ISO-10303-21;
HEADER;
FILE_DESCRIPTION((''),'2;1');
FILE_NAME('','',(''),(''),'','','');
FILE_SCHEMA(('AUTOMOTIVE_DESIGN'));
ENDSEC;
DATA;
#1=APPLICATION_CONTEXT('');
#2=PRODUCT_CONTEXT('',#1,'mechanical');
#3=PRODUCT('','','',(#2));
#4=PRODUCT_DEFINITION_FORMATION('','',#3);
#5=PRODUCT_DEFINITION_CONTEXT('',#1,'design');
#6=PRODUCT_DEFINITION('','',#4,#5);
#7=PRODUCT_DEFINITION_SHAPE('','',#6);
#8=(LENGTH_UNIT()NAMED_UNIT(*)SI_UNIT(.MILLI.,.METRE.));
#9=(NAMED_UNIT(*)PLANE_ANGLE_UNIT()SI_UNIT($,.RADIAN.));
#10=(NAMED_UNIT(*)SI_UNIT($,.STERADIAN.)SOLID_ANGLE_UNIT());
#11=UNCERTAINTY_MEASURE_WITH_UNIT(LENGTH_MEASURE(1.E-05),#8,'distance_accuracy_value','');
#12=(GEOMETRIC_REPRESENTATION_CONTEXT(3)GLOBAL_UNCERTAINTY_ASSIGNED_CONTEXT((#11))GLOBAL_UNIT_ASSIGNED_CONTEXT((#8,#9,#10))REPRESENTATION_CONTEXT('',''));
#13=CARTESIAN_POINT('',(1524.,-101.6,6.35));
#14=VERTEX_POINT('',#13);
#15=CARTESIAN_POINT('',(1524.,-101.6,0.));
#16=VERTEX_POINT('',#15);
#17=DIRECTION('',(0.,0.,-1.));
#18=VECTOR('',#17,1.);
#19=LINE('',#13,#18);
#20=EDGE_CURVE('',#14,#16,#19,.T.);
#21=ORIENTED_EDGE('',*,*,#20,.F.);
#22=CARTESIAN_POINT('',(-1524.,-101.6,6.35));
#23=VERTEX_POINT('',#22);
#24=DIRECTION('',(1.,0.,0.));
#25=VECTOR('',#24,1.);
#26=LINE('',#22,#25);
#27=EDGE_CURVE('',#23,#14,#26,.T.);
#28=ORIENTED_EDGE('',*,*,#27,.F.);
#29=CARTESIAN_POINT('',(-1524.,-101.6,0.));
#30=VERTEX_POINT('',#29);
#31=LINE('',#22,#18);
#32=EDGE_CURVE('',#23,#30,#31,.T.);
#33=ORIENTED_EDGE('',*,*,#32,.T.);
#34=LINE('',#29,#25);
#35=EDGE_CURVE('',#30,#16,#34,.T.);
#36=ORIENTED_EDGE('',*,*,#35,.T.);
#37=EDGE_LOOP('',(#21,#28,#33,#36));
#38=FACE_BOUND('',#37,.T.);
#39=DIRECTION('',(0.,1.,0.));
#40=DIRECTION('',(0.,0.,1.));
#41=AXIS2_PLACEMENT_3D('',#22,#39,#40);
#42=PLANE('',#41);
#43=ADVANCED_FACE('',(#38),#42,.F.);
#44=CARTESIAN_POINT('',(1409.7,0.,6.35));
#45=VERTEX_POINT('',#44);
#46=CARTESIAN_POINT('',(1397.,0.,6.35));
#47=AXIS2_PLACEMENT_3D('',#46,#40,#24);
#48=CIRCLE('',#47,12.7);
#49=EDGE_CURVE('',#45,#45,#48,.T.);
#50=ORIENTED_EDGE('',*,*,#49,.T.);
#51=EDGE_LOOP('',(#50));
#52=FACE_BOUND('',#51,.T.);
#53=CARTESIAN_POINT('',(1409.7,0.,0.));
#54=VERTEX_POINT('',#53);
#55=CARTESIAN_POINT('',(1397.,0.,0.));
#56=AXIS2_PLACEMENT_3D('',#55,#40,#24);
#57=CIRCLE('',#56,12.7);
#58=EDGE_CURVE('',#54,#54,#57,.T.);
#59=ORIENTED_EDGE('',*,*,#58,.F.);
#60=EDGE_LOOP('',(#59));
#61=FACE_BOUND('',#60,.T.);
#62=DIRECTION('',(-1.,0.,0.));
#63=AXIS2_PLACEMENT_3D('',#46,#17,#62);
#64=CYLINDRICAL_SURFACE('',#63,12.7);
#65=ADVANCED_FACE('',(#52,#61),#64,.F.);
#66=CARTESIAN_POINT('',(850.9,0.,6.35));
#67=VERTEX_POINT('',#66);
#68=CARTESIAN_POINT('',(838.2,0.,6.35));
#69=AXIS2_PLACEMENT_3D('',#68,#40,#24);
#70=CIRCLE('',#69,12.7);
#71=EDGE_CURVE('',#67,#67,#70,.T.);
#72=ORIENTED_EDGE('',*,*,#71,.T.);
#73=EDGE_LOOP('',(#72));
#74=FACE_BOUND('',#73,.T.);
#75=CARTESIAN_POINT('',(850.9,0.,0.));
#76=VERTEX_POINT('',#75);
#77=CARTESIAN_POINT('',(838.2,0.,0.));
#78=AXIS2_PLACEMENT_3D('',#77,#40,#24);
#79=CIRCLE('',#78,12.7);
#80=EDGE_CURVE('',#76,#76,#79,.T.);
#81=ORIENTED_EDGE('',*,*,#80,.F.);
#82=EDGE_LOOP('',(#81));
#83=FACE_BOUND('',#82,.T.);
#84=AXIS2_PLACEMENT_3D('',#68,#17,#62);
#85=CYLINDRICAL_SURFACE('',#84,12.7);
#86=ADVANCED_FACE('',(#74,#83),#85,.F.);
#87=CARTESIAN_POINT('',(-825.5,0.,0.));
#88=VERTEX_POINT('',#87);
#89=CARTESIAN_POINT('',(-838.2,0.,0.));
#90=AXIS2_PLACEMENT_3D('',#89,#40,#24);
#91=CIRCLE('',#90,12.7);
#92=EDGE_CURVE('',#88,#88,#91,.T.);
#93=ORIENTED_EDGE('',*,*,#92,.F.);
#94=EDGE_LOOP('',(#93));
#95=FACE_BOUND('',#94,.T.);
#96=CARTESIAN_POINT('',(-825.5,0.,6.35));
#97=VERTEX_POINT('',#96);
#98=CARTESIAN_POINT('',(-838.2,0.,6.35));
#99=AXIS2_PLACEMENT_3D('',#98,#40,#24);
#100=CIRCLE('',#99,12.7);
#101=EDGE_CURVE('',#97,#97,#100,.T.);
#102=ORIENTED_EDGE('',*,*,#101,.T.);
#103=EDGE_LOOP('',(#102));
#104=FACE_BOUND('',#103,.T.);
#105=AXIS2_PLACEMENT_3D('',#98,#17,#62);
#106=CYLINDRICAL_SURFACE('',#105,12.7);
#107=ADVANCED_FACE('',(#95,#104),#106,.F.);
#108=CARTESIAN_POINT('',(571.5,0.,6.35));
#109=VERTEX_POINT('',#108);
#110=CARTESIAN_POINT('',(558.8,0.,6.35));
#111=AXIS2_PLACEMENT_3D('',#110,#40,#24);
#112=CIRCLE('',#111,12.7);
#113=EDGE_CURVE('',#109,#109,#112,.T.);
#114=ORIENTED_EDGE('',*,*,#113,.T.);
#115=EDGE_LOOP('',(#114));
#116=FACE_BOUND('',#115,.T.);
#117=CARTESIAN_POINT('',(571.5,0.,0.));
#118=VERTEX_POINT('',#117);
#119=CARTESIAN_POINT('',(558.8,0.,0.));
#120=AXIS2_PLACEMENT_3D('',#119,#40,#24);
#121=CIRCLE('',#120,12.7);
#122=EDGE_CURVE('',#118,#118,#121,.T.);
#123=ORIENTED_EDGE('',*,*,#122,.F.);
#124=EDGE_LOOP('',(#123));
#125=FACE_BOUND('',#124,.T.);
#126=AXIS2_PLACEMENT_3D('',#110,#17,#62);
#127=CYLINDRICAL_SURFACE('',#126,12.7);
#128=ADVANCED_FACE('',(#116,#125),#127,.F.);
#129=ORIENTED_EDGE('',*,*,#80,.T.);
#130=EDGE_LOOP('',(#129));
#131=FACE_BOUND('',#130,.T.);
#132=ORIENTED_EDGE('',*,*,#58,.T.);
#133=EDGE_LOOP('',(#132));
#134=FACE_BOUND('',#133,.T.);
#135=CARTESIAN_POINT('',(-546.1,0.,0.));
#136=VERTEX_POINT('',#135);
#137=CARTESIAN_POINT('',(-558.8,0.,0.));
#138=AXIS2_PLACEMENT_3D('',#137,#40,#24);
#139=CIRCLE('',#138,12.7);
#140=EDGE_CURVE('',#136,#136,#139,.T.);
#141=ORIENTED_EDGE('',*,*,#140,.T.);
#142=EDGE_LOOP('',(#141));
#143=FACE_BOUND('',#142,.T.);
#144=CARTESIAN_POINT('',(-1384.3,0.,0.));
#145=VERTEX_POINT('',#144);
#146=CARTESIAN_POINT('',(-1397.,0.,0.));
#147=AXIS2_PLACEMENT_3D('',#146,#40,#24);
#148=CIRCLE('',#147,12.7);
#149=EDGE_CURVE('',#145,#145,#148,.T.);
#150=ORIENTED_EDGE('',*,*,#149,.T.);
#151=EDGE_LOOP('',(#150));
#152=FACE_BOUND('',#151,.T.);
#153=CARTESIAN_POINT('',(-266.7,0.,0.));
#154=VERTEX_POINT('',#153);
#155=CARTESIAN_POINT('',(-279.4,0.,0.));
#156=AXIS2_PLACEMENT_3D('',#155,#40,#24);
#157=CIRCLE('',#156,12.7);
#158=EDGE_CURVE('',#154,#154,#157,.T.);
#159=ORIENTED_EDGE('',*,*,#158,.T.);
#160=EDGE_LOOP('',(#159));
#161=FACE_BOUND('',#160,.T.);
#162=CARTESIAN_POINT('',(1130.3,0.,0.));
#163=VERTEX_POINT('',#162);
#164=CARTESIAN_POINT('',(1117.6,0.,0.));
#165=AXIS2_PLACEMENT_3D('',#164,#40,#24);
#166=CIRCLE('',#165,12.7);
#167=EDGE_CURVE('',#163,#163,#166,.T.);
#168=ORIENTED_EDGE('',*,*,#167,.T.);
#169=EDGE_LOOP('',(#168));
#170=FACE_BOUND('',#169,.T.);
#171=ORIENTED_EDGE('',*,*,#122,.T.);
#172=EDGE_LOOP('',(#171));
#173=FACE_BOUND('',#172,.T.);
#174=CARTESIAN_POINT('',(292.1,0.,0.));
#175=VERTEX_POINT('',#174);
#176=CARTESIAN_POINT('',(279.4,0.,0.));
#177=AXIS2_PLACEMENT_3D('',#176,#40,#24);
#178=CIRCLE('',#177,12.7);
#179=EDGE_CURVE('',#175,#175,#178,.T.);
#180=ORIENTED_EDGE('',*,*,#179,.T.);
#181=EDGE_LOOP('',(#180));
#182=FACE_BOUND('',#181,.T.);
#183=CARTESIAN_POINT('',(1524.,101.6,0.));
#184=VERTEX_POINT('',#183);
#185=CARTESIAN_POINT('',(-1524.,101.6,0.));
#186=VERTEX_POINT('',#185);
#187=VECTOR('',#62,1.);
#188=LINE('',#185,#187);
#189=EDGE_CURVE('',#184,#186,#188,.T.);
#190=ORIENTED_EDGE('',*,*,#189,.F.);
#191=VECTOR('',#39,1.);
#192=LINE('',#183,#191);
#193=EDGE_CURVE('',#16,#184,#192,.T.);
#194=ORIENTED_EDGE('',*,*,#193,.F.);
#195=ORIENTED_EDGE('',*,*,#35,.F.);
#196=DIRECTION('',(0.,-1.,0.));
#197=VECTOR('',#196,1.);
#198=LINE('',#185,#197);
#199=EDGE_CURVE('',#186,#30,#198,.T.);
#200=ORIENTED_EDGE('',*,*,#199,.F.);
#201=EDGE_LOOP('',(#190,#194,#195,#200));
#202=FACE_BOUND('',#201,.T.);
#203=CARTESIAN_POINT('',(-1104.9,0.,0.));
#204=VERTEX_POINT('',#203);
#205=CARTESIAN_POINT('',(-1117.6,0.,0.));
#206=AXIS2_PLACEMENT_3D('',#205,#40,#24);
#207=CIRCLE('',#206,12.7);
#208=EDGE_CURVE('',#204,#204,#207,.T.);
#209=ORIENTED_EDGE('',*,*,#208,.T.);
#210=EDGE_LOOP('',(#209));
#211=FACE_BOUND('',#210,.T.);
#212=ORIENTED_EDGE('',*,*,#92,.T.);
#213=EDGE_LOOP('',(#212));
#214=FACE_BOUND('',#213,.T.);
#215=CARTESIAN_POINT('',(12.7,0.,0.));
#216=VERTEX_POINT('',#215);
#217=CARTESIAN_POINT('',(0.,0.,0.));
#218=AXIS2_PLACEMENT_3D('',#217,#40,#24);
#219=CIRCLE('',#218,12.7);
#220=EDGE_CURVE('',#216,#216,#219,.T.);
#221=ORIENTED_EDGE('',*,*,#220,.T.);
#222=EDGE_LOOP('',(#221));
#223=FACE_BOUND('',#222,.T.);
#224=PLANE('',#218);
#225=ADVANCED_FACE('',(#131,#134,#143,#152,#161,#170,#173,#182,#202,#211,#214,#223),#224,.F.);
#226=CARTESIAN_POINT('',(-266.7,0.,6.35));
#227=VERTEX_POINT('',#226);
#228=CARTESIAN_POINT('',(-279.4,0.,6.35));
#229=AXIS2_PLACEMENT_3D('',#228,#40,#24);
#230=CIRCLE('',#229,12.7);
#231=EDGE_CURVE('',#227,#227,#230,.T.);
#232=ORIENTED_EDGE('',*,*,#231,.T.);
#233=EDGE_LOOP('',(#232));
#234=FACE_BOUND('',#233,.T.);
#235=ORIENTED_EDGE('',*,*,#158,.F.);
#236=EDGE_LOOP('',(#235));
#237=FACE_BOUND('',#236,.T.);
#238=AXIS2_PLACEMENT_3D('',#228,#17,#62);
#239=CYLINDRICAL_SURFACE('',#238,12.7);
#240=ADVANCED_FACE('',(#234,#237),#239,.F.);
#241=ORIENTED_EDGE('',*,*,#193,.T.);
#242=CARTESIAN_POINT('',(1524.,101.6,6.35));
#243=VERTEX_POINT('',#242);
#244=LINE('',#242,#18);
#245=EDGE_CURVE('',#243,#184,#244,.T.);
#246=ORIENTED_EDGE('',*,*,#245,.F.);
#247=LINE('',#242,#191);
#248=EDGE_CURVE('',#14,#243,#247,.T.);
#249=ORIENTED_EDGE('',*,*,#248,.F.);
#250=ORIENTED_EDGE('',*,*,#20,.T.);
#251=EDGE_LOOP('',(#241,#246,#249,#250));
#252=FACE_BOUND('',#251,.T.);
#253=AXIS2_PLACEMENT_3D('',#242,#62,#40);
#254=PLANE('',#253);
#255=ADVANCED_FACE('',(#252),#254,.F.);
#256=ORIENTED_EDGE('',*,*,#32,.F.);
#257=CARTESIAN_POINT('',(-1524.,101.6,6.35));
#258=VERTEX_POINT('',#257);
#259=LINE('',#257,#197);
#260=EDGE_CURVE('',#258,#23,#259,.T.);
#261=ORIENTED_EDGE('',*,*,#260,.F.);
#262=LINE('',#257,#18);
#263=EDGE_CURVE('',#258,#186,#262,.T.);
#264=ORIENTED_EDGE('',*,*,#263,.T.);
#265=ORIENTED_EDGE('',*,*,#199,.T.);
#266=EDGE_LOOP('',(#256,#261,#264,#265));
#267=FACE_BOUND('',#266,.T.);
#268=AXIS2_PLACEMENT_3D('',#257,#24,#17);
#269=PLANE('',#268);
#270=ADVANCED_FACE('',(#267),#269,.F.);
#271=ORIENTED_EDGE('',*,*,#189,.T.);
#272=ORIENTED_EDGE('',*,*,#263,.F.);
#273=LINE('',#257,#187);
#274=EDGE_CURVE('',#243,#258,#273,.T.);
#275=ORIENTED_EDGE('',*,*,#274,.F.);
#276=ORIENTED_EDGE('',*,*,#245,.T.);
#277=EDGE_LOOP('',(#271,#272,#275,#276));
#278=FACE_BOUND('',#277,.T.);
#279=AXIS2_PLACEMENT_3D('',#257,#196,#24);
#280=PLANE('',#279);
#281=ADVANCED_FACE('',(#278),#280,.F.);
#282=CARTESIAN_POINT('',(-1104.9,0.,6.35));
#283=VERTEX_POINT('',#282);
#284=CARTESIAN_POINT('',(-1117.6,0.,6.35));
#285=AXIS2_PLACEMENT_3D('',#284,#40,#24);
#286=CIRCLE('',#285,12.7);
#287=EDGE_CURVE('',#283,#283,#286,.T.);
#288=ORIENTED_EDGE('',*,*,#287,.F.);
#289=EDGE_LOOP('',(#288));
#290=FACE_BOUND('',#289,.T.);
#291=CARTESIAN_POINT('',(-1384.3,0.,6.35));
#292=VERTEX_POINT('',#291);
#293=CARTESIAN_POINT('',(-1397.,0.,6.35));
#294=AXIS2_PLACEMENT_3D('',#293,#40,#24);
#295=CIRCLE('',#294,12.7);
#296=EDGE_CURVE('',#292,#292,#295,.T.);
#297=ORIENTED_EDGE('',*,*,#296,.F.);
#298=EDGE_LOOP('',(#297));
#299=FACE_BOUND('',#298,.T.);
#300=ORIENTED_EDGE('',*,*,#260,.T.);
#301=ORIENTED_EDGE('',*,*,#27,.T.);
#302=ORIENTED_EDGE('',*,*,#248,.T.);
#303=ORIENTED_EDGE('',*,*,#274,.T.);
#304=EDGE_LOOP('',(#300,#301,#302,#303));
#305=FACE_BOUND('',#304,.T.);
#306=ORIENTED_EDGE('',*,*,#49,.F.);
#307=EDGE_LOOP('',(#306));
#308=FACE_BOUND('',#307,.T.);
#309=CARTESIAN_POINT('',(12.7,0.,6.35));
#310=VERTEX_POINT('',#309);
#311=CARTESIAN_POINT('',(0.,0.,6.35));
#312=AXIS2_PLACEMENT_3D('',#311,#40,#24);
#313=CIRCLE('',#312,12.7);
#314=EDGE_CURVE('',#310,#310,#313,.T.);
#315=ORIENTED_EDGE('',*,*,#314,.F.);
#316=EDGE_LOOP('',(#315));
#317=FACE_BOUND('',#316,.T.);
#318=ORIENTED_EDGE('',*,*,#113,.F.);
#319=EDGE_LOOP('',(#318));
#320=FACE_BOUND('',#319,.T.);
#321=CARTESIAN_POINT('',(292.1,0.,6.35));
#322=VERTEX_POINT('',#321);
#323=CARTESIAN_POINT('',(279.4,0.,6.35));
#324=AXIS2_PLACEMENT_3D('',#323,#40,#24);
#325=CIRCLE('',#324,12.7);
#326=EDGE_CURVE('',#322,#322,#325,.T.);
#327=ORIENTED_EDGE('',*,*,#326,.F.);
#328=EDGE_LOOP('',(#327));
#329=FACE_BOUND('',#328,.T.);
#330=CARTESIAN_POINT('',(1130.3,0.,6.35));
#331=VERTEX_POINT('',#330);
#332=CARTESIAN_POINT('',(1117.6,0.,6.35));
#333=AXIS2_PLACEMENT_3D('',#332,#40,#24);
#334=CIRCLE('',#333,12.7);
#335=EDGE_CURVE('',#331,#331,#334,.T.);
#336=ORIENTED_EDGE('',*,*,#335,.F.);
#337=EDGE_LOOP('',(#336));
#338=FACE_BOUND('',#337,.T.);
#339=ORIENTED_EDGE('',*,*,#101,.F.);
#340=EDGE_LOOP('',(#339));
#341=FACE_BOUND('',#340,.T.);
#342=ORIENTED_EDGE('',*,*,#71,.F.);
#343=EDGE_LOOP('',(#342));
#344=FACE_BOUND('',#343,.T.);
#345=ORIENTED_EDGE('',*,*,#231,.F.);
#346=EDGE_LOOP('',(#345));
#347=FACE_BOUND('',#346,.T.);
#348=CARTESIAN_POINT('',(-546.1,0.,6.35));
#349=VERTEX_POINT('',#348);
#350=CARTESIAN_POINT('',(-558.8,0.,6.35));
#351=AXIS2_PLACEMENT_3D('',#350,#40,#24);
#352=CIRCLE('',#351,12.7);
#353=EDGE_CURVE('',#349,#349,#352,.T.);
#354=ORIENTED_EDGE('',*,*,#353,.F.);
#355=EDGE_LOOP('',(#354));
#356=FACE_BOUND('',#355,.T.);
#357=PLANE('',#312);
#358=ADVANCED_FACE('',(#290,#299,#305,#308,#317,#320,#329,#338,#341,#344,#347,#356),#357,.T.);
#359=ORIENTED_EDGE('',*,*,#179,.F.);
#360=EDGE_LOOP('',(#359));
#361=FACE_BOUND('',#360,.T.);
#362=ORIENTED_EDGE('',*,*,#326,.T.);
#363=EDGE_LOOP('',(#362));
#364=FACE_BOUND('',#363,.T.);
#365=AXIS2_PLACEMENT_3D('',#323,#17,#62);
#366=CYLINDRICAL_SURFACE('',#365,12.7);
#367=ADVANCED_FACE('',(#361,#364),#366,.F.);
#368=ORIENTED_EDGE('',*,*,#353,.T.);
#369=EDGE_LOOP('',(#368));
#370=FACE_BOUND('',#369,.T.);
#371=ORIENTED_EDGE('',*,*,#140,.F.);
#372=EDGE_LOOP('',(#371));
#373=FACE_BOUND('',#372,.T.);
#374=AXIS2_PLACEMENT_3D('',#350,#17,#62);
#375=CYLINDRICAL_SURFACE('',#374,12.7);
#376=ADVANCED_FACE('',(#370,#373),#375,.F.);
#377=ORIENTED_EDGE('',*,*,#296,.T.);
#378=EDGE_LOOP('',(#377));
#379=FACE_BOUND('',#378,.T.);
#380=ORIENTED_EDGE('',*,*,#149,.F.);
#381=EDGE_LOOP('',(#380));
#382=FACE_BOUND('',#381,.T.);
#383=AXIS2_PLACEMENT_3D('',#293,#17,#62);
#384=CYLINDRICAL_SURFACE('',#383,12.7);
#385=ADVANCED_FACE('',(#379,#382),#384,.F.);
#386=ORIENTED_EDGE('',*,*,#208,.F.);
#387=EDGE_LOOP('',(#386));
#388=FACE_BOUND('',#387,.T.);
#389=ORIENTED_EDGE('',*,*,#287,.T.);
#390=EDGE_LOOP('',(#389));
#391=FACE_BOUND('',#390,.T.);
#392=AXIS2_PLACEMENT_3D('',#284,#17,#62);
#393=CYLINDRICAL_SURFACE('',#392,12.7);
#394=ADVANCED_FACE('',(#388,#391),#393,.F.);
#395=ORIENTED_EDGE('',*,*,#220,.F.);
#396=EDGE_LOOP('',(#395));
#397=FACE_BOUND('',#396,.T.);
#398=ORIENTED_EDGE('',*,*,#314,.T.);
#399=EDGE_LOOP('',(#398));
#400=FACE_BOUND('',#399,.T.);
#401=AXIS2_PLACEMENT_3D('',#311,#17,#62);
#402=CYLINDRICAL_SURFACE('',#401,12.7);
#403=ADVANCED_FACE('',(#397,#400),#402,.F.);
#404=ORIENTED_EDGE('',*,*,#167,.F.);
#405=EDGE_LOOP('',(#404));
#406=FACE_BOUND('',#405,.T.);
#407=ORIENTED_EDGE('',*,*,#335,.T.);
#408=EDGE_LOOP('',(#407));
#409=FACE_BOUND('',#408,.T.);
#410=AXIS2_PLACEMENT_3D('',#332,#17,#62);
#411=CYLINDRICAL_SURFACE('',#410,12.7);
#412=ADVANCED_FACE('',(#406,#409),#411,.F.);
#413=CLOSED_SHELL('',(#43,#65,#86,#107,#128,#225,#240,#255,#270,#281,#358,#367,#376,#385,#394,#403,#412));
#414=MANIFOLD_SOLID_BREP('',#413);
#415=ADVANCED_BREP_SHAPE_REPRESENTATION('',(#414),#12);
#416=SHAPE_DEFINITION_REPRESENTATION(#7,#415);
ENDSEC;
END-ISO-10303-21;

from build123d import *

# Parameters (mm, degrees)
SKETCH1_W           = 3048
SKETCH1_H           = 203.2
SKETCH1_R           = 12.7
BOSS_EXTRUDE1_DEPTH = 6.35


with BuildPart() as part:
    # Sketch1 → Boss-Extrude1 (new body)
    with BuildSketch(Plane.XY):
        Rectangle(SKETCH1_W, SKETCH1_H)
        with Locations((-1397, 0)):
            Circle(SKETCH1_R, mode=Mode.SUBTRACT)
        with Locations((-1117.6, 0)):
            Circle(SKETCH1_R, mode=Mode.SUBTRACT)
        with Locations((-838.2, 0)):
            Circle(SKETCH1_R, mode=Mode.SUBTRACT)
        with Locations((-558.8, 0)):
            Circle(SKETCH1_R, mode=Mode.SUBTRACT)
        with Locations((-279.4, 0)):
            Circle(SKETCH1_R, mode=Mode.SUBTRACT)
        Circle(SKETCH1_R, mode=Mode.SUBTRACT)
        with Locations((279.4, 0)):
            Circle(SKETCH1_R, mode=Mode.SUBTRACT)
        with Locations((558.8, 0)):
            Circle(SKETCH1_R, mode=Mode.SUBTRACT)
        with Locations((838.2, 0)):
            Circle(SKETCH1_R, mode=Mode.SUBTRACT)
        with Locations((1117.6, 0)):
            Circle(SKETCH1_R, mode=Mode.SUBTRACT)
        with Locations((1397, 0)):
            Circle(SKETCH1_R, mode=Mode.SUBTRACT)
    extrude(amount=BOSS_EXTRUDE1_DEPTH)


solid = part.part
